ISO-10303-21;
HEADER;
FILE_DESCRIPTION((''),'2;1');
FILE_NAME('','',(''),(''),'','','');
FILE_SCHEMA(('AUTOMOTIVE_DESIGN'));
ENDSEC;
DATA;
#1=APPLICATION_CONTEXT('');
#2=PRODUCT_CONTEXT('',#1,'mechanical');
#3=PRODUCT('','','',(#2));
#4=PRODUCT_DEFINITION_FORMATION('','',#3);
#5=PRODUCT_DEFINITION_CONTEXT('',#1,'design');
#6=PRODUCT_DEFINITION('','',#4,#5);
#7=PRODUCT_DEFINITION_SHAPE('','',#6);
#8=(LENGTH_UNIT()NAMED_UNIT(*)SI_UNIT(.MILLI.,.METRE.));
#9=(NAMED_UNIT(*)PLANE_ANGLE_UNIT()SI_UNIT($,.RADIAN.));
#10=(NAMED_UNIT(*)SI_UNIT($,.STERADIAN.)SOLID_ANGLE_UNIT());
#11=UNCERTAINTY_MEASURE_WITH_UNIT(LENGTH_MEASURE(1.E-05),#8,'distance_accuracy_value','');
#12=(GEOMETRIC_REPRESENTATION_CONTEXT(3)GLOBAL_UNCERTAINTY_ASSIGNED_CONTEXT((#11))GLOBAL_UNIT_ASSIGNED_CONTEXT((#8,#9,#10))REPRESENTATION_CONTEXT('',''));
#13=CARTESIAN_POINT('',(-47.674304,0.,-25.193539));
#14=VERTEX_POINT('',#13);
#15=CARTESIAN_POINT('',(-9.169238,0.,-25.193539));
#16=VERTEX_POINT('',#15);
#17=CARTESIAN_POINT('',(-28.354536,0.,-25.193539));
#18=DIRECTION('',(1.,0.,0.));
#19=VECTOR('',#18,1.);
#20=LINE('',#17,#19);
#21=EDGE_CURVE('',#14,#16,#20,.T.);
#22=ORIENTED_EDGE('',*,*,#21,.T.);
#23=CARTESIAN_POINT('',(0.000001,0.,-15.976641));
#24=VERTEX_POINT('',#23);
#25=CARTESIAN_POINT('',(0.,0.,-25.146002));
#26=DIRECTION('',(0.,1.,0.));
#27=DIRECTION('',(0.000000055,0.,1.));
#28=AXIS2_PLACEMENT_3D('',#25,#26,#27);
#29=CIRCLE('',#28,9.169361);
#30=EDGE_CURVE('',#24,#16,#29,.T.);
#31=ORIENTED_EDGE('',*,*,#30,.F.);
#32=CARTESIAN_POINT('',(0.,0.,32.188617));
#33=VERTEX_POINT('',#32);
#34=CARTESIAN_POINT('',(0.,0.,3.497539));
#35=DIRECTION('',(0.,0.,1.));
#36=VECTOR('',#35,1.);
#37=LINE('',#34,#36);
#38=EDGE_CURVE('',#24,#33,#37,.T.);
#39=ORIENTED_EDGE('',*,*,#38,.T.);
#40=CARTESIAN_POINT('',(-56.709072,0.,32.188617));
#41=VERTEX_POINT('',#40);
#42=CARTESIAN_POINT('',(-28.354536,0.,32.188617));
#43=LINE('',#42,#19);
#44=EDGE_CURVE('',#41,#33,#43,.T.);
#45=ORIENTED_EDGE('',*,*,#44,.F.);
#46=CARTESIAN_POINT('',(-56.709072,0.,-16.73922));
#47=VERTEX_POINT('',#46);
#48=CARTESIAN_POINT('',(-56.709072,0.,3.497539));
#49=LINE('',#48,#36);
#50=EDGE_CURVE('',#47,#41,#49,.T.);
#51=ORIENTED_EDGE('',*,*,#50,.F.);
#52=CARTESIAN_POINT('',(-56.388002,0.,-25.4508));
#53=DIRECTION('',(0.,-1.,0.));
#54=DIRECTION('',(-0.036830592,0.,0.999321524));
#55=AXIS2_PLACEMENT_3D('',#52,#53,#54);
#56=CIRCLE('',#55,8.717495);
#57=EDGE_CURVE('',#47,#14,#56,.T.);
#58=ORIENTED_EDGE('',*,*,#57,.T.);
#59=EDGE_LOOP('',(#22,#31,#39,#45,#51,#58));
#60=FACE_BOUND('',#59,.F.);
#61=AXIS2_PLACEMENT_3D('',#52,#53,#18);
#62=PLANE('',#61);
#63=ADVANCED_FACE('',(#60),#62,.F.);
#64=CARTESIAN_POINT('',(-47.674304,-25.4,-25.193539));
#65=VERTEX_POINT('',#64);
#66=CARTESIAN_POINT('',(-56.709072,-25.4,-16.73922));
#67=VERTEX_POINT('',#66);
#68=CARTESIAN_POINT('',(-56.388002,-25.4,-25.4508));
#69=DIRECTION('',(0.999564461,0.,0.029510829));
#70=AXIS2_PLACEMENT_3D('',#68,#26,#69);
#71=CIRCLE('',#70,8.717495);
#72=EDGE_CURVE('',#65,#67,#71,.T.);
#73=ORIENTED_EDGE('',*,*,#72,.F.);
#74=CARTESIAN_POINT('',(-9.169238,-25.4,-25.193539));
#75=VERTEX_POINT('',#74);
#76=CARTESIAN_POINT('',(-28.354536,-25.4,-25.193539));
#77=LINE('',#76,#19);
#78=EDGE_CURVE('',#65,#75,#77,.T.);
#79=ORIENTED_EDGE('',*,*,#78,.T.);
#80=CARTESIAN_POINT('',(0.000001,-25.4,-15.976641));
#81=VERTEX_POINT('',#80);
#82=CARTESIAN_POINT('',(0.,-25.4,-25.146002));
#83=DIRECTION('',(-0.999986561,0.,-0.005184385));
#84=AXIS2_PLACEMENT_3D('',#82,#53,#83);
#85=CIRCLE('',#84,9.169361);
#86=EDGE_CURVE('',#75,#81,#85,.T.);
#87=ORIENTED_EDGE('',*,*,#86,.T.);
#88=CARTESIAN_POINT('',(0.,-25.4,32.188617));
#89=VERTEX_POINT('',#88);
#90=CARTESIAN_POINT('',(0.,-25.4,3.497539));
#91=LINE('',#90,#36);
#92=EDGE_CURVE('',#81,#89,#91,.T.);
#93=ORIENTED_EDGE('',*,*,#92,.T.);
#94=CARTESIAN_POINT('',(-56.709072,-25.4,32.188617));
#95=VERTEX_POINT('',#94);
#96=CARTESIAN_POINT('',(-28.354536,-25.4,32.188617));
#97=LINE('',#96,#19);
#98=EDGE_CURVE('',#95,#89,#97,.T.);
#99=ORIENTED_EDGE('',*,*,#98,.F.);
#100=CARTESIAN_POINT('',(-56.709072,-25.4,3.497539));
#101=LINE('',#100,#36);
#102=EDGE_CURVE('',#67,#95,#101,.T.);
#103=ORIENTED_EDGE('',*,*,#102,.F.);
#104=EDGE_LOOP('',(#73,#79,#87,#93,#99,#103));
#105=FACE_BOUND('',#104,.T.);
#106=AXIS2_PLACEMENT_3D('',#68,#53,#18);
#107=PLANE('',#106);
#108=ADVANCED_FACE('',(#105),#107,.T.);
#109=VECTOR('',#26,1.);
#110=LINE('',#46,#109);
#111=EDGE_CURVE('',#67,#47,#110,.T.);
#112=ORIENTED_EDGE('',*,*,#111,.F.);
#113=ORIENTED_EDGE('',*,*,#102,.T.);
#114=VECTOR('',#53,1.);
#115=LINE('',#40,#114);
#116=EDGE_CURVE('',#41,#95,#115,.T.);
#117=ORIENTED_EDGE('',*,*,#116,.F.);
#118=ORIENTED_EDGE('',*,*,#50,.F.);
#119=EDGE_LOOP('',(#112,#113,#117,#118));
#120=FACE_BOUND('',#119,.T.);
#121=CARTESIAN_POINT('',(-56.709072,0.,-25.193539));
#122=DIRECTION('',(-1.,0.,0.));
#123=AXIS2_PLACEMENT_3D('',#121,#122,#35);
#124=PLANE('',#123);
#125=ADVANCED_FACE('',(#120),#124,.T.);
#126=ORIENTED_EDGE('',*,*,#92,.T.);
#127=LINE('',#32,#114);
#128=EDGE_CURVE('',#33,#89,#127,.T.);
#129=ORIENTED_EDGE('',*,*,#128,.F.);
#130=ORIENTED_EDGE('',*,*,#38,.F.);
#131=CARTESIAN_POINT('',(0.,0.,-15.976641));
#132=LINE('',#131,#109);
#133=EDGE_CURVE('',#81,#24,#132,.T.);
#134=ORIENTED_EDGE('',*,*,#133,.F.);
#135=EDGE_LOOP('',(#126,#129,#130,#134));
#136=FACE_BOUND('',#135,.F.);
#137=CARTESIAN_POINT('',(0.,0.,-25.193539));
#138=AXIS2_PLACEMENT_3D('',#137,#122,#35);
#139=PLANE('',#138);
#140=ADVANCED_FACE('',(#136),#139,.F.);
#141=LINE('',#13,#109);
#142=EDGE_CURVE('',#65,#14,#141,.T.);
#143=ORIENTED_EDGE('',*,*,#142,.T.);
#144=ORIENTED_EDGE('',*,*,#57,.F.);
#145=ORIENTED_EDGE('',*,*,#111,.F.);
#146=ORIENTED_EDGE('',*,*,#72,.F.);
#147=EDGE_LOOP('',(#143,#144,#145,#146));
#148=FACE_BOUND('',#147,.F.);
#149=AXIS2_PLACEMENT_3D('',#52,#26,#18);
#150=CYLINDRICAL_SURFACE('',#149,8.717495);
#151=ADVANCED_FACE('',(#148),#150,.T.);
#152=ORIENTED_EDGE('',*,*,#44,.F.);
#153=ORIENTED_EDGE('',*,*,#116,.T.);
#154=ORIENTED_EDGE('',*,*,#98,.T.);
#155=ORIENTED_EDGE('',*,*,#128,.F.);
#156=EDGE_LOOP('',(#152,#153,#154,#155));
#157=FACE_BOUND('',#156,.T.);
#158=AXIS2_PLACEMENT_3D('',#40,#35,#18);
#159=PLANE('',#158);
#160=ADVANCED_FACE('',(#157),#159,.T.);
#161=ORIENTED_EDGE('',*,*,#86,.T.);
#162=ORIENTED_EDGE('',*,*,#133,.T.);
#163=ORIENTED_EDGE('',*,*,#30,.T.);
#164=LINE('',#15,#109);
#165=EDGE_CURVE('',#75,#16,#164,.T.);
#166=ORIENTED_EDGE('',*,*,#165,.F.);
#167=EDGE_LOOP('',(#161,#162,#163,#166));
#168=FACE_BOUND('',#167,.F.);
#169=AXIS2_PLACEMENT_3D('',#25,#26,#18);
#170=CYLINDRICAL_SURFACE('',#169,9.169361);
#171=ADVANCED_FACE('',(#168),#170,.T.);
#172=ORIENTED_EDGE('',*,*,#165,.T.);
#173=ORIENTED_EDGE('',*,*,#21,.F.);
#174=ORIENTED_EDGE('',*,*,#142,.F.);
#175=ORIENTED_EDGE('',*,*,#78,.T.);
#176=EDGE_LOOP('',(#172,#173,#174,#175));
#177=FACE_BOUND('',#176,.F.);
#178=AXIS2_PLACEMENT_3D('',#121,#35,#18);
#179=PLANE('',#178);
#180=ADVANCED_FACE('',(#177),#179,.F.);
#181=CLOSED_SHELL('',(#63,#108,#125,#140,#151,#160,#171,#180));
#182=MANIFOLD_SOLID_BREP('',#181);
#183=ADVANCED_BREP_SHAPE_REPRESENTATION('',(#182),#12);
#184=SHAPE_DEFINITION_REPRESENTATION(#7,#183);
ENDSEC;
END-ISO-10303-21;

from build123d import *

# Parameters (mm, degrees)
F0_W     = 56.709073
F0_H     = 57.382157
F1_DEPTH = 25.4
F2_R     = 8.717495
F2_R_2   = 9.169361
F3_DEPTH = 25.4


with BuildPart() as f1:
    # F0 (on Front) → F1 (new body)
    with BuildSketch(Plane.XZ):
        with Locations((-28.354536, 3.497539)):
            Rectangle(F0_W, F0_H)
    extrude(amount=F1_DEPTH)

    # F2 (on Front) → F3 (join)
    with BuildSketch(Plane.XZ):
        with Locations((-56.388002, -25.4508)):
            Circle(F2_R)
        with Locations((0, -25.146002)):
            Circle(F2_R_2)
    extrude(amount=F3_DEPTH)


solid = f1.part
